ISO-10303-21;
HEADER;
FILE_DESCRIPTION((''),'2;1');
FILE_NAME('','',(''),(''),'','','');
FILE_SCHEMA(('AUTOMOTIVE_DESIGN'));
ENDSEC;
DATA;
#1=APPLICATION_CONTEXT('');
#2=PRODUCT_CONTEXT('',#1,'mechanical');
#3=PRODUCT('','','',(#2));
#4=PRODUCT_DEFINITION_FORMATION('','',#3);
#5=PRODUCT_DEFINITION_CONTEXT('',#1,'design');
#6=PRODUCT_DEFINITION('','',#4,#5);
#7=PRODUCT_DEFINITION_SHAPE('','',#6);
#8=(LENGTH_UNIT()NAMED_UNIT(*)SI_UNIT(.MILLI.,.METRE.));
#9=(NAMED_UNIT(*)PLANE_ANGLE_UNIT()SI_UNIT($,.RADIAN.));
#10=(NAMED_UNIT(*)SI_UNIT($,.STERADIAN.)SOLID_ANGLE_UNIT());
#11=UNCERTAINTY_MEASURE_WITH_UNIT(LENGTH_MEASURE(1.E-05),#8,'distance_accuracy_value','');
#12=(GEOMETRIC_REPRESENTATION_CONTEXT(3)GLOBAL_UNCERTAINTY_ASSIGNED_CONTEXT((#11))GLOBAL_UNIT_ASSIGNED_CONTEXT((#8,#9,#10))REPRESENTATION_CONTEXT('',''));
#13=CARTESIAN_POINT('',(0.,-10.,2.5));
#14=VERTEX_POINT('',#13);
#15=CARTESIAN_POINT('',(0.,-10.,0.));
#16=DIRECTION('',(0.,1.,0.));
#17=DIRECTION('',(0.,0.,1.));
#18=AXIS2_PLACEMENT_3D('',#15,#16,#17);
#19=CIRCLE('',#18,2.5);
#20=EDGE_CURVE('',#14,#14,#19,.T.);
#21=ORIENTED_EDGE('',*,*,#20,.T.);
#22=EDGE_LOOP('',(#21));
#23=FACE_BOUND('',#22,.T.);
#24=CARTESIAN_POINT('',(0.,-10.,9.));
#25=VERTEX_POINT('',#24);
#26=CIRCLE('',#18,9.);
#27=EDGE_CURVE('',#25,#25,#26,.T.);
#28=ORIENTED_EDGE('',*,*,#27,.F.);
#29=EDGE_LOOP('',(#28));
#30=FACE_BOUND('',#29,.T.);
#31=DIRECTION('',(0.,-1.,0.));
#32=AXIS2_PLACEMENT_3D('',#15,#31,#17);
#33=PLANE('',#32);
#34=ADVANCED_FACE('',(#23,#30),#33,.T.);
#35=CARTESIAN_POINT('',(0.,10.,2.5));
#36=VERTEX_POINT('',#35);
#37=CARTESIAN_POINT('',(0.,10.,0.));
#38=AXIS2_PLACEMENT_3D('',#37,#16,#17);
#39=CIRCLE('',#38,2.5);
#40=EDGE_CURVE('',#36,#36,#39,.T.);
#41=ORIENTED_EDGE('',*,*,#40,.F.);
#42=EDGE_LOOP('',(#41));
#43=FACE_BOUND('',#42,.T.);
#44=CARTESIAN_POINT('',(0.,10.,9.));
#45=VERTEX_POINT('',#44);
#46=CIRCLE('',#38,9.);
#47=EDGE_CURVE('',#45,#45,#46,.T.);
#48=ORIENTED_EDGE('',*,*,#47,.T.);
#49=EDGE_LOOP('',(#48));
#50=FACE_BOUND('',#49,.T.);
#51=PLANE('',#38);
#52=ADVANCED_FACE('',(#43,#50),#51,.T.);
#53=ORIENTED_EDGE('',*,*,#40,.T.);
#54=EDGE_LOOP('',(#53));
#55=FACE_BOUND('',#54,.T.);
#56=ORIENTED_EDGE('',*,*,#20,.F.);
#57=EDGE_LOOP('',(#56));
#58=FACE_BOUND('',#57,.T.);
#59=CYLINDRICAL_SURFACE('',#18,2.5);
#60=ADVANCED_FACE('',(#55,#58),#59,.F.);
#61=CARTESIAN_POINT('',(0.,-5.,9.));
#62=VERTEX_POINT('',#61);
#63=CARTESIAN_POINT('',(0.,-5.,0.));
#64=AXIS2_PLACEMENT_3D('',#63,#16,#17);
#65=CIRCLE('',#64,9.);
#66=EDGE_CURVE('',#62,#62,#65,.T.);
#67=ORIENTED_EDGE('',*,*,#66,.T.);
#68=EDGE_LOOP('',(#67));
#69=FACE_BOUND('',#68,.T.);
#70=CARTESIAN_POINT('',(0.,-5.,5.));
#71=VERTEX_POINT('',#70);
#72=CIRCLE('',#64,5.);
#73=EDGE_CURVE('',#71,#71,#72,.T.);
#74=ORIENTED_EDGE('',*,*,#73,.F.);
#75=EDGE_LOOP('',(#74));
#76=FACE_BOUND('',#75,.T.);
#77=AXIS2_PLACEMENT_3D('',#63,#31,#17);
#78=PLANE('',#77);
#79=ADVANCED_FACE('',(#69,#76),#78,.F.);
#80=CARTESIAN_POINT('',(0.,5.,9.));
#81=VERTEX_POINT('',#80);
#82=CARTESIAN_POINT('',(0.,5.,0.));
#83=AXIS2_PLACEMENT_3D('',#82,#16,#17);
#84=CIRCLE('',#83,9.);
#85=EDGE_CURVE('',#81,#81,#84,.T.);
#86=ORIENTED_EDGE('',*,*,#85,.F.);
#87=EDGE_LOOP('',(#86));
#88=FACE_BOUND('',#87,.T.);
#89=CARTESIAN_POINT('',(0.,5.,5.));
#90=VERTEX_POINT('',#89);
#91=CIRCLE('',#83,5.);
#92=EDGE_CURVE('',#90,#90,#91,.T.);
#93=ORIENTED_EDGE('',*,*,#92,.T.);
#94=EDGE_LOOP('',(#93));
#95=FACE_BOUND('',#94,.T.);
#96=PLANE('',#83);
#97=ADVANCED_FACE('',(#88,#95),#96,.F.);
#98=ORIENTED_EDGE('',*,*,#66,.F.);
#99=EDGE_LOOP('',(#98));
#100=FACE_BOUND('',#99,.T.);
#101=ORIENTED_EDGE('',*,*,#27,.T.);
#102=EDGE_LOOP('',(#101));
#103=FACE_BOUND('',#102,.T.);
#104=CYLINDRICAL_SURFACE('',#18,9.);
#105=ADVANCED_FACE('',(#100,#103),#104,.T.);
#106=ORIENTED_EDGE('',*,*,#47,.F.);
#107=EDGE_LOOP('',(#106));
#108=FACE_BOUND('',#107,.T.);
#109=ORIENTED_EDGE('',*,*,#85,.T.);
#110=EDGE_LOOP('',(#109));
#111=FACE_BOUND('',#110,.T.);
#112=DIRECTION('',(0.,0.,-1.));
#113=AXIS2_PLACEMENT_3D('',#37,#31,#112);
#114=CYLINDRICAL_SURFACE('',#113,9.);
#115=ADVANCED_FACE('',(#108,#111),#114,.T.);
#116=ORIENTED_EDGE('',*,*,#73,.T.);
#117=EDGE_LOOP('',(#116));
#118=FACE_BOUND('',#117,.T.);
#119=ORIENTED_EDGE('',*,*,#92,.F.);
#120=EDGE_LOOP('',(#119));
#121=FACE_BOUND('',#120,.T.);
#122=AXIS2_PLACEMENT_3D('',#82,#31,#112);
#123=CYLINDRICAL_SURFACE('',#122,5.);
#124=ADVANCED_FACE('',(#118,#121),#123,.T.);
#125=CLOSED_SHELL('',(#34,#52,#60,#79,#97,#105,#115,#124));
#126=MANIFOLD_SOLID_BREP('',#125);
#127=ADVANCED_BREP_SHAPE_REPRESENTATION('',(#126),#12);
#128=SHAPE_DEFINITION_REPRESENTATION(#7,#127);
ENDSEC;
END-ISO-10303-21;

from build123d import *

# Parameters (mm, degrees)
SKETCH1_R               = 5
BOSS_EXTRUDE1_DEPTH     = 5
SKETCH3_R               = 9
BOSS_EXTRUDE2_DEPTH     = 5
SKETCH2_R               = 2.5
CUT_EXTRUDE1_DEPTH      = 7
CUT_EXTRUDE1_DEPTH_BACK = 15


with BuildPart() as part:
    # Sketch1 → Boss-Extrude1 (new body)
    with BuildSketch(Plane(origin=(0, 0, 0), x_dir=(1, 0, 0), z_dir=(0, 1, 0))):
        Circle(SKETCH1_R)
    boss_extrude1 = extrude(amount=BOSS_EXTRUDE1_DEPTH)

    # Sketch3 → Boss-Extrude2 (add)
    with BuildSketch(Plane(origin=(0, 5, 0), x_dir=(1, 0, 0), z_dir=(0, 1, 0))):
        Circle(SKETCH3_R)
    boss_extrude2 = extrude(amount=BOSS_EXTRUDE2_DEPTH)

    # Mirror1: Boss-Extrude1, Boss-Extrude2 across plane
    add(boss_extrude1.mirror(Plane.ZX))
    add(boss_extrude2.mirror(Plane.ZX))

    # Sketch2 → Cut-Extrude1 (cut, two sides)
    with BuildSketch(Plane(origin=(0, 4, 0), x_dir=(1, 0, 0), z_dir=(0, 1, 0))) as cut_extrude1_sk:
        Circle(SKETCH2_R)
    extrude(amount=CUT_EXTRUDE1_DEPTH, mode=Mode.SUBTRACT)
    extrude(cut_extrude1_sk.sketch, amount=-CUT_EXTRUDE1_DEPTH_BACK, mode=Mode.SUBTRACT)


solid = part.part
